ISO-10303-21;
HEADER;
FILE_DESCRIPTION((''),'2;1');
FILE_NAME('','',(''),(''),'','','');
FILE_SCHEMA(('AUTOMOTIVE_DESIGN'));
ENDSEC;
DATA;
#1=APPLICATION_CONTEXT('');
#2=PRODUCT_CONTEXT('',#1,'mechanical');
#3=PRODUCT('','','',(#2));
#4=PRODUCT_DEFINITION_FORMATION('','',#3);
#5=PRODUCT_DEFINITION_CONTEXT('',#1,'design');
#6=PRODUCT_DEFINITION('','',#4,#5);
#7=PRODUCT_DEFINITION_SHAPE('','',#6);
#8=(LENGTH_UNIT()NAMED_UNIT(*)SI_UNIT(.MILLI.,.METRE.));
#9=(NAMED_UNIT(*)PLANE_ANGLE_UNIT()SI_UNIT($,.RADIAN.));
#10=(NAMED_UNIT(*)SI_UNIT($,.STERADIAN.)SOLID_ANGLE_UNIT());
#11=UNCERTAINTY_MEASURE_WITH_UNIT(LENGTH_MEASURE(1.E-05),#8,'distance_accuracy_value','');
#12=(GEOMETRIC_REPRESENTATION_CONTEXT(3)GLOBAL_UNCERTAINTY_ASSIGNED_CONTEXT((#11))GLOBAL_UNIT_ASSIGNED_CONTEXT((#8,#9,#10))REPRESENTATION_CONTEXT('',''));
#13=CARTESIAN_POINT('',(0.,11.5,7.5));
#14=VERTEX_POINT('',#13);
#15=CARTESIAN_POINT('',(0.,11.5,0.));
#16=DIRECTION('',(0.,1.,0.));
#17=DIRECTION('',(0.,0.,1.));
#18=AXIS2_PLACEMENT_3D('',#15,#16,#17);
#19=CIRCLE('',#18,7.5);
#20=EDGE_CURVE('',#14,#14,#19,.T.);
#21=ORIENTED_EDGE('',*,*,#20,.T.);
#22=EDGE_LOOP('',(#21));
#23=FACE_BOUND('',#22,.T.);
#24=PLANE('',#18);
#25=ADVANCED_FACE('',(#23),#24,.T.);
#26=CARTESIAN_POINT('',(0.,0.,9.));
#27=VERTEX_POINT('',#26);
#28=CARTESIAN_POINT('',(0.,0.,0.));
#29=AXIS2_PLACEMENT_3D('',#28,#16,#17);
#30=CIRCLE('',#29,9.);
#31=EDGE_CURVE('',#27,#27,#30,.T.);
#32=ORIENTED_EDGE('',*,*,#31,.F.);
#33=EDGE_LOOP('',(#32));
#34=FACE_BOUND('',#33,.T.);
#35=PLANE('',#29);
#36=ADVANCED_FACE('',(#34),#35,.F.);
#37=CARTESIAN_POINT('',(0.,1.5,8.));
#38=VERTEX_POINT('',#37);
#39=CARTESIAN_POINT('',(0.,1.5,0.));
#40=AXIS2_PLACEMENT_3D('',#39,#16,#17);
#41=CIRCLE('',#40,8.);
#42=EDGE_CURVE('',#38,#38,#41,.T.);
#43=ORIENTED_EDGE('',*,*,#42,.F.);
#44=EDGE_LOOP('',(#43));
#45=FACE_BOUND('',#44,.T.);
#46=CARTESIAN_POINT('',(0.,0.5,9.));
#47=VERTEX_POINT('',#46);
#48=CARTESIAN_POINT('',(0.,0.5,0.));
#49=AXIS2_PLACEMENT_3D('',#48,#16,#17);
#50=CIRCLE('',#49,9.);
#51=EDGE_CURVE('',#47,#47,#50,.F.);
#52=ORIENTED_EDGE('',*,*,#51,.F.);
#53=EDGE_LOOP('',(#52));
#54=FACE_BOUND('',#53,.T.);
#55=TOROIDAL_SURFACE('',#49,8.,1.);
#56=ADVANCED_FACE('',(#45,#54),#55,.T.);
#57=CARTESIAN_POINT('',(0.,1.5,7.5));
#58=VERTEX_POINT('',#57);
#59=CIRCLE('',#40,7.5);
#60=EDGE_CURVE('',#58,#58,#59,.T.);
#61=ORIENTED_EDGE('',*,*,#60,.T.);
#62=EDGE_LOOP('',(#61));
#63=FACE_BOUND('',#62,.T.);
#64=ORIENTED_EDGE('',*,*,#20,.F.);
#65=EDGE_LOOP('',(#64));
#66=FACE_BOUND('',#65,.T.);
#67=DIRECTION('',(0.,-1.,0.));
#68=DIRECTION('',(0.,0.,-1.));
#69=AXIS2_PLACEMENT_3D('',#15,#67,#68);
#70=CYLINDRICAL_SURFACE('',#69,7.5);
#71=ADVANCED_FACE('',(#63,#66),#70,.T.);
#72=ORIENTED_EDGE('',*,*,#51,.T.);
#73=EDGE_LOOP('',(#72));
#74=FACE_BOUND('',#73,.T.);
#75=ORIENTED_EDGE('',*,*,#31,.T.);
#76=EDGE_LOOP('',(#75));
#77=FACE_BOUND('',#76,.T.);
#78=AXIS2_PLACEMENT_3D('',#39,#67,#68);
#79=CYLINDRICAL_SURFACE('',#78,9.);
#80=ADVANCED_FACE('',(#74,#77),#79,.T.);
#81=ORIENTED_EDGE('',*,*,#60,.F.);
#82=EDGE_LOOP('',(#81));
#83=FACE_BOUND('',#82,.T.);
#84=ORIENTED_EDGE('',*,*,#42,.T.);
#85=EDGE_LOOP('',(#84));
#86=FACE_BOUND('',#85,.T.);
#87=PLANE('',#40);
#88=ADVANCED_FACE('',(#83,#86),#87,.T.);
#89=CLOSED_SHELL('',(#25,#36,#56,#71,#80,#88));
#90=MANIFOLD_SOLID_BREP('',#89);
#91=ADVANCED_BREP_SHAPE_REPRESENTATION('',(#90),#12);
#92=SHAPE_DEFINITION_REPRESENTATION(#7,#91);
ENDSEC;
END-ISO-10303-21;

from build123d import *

# Parameters (mm, degrees)
ESBO_O1_R                = 9
RESSALTO_EXTRUS_O1_DEPTH = 1.5
FILETE1_R                = 1
ESBO_O2_R                = 7.5
RESSALTO_EXTRUS_O2_DEPTH = 10


with BuildPart() as part:
    # Esboço1 → Ressalto-extrusão1 (new body)
    with BuildSketch(Plane(origin=(0, 0, 0), x_dir=(1, 0, 0), z_dir=(0, 1, 0))):
        with Locations(Location((0, 0, 0), (0, 0, 270))):
            Circle(ESBO_O1_R)
    extrude(amount=RESSALTO_EXTRUS_O1_DEPTH)

    # Filete1
    filete1_edges = [part.edges().sort_by_distance(p)[0] for p in [
        (0, 1.5, -9),
    ]]
    fillet(filete1_edges, radius=FILETE1_R)

    # Esboço2 → Ressalto-extrusão2 (add)
    with BuildSketch(Plane(origin=(0, 1.5, 0), x_dir=(1, 0, 0), z_dir=(0, 1, 0))):
        with Locations(Location((0, 0, 0), (0, 0, 270))):
            Circle(ESBO_O2_R)
    extrude(amount=RESSALTO_EXTRUS_O2_DEPTH)


solid = part.part
